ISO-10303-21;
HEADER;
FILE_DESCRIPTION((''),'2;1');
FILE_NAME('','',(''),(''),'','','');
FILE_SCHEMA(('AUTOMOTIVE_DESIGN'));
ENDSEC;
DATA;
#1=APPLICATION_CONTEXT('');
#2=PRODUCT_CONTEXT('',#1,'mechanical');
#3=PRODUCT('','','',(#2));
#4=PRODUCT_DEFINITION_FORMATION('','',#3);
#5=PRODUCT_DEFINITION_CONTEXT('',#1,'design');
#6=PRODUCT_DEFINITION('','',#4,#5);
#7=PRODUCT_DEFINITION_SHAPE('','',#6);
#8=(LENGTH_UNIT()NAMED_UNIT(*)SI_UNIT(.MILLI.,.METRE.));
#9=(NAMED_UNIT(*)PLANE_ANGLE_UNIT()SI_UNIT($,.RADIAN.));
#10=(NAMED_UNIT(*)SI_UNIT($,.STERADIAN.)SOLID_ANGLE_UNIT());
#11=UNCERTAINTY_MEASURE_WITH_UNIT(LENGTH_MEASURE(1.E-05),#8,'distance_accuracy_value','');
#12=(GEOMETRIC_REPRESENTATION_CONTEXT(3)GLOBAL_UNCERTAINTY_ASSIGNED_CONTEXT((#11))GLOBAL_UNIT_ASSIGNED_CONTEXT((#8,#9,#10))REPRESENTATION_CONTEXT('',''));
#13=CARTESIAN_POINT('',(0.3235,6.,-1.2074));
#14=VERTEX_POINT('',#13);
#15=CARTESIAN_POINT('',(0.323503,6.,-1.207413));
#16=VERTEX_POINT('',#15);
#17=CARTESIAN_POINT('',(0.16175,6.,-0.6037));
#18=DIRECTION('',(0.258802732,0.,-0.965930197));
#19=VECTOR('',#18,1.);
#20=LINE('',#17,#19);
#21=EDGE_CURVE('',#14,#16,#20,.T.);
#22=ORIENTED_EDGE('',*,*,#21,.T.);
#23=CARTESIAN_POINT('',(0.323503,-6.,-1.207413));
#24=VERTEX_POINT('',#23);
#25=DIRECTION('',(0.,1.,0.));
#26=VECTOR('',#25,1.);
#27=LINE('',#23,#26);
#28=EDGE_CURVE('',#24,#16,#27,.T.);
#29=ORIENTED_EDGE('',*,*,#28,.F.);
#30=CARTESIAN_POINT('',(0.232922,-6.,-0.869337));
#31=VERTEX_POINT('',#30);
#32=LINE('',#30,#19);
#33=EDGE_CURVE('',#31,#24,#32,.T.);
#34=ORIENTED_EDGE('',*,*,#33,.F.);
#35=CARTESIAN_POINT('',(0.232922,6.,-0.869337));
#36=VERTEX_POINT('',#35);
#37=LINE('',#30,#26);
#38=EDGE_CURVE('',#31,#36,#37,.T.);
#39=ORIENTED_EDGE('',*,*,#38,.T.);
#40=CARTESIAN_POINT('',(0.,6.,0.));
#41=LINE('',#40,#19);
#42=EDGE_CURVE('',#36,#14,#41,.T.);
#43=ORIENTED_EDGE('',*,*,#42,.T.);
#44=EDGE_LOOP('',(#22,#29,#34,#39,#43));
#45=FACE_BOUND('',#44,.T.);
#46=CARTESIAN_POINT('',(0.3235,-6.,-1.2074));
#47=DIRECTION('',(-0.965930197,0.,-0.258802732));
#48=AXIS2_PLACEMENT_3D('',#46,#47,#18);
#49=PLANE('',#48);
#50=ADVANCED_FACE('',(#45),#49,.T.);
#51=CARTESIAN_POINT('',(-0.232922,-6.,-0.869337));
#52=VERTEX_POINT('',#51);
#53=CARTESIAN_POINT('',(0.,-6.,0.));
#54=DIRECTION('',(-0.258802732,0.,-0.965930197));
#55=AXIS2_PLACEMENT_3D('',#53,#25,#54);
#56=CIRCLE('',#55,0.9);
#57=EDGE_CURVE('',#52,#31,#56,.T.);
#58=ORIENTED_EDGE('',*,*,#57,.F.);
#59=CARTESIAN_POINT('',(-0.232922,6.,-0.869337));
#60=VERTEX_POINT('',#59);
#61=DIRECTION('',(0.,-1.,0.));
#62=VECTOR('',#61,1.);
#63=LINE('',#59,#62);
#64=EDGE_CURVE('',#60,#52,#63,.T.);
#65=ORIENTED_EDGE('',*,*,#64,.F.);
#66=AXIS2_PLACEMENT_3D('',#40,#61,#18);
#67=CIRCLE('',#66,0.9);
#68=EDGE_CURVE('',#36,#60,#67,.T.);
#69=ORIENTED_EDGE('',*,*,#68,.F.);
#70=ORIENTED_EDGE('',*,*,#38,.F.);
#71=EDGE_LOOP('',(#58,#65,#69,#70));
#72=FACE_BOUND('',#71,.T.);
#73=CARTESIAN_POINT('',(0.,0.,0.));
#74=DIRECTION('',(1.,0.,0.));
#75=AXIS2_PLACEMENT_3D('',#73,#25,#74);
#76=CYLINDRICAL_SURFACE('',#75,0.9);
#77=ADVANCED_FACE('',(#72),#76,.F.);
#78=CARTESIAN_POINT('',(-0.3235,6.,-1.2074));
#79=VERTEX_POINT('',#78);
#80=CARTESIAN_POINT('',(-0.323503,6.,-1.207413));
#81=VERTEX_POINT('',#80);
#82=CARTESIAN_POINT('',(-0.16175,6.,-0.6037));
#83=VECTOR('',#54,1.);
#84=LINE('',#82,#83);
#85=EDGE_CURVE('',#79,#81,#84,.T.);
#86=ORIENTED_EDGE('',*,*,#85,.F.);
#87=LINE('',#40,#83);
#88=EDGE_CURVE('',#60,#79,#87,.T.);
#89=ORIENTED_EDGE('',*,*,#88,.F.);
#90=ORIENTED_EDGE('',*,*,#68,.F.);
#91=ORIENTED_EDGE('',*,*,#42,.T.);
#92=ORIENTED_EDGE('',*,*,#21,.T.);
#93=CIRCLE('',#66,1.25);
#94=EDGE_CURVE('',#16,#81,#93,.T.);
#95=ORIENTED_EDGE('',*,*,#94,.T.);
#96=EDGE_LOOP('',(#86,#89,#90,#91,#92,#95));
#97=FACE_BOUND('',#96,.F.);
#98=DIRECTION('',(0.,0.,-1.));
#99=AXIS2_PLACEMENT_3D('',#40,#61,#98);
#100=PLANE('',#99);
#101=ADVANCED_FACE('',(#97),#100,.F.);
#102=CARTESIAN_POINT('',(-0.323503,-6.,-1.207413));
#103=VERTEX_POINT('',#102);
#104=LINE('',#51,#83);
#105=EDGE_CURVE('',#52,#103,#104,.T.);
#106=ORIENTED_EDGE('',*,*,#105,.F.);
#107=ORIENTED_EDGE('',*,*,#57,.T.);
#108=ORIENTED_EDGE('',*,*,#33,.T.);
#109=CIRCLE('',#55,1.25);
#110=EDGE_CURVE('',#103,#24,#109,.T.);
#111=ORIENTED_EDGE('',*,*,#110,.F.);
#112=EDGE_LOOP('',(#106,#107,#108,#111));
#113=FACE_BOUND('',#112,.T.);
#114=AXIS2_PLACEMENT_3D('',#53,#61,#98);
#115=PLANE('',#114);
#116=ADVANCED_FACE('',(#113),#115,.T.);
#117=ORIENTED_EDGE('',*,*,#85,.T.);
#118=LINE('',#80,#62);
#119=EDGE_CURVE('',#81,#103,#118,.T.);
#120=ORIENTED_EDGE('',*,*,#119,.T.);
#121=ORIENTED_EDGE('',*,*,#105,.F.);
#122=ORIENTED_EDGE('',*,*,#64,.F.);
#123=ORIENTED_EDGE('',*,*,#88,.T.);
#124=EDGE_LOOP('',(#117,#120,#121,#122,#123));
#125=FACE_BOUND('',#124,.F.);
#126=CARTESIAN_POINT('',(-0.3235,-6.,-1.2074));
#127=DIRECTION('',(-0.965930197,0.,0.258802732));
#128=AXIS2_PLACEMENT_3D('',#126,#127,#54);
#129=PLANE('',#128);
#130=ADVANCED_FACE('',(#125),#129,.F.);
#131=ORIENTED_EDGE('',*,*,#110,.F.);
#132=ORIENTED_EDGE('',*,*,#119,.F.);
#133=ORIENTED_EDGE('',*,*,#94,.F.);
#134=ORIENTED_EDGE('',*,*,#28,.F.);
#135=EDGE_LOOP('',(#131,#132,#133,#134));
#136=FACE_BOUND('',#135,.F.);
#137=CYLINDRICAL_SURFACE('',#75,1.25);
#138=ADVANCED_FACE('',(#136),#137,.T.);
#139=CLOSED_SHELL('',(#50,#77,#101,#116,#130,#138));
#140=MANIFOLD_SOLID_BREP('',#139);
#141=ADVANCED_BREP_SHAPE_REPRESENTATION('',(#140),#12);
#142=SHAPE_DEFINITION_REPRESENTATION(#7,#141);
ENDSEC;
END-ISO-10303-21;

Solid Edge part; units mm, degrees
sketch "Sketch1" plane through (0, 0, 0) normal (0, -1, 0) x (1, 0, 0)
  circle A0 centre (0, 0) radius 0.9
  circle A1 centre (0, 0) radius 1.25
  dimension "D1" = 2.5
  dimension "D2" = 1.8
extrude "Protrusion1" add sketch "Sketch1" along normal mid plane 12
sketch "Sketch2" plane through (0, -6, 0) normal (0, -1, 0) x (1, 0, 0)
  line L0 (0, 0) -> (-0.3235, -1.2074)
  line L1 (0, 0) -> (0.3235, -1.2074)
extrude "Cutout1" cut sketch "Sketch2" against normal through all material side at (-0.1135, -6, -0.6166)
